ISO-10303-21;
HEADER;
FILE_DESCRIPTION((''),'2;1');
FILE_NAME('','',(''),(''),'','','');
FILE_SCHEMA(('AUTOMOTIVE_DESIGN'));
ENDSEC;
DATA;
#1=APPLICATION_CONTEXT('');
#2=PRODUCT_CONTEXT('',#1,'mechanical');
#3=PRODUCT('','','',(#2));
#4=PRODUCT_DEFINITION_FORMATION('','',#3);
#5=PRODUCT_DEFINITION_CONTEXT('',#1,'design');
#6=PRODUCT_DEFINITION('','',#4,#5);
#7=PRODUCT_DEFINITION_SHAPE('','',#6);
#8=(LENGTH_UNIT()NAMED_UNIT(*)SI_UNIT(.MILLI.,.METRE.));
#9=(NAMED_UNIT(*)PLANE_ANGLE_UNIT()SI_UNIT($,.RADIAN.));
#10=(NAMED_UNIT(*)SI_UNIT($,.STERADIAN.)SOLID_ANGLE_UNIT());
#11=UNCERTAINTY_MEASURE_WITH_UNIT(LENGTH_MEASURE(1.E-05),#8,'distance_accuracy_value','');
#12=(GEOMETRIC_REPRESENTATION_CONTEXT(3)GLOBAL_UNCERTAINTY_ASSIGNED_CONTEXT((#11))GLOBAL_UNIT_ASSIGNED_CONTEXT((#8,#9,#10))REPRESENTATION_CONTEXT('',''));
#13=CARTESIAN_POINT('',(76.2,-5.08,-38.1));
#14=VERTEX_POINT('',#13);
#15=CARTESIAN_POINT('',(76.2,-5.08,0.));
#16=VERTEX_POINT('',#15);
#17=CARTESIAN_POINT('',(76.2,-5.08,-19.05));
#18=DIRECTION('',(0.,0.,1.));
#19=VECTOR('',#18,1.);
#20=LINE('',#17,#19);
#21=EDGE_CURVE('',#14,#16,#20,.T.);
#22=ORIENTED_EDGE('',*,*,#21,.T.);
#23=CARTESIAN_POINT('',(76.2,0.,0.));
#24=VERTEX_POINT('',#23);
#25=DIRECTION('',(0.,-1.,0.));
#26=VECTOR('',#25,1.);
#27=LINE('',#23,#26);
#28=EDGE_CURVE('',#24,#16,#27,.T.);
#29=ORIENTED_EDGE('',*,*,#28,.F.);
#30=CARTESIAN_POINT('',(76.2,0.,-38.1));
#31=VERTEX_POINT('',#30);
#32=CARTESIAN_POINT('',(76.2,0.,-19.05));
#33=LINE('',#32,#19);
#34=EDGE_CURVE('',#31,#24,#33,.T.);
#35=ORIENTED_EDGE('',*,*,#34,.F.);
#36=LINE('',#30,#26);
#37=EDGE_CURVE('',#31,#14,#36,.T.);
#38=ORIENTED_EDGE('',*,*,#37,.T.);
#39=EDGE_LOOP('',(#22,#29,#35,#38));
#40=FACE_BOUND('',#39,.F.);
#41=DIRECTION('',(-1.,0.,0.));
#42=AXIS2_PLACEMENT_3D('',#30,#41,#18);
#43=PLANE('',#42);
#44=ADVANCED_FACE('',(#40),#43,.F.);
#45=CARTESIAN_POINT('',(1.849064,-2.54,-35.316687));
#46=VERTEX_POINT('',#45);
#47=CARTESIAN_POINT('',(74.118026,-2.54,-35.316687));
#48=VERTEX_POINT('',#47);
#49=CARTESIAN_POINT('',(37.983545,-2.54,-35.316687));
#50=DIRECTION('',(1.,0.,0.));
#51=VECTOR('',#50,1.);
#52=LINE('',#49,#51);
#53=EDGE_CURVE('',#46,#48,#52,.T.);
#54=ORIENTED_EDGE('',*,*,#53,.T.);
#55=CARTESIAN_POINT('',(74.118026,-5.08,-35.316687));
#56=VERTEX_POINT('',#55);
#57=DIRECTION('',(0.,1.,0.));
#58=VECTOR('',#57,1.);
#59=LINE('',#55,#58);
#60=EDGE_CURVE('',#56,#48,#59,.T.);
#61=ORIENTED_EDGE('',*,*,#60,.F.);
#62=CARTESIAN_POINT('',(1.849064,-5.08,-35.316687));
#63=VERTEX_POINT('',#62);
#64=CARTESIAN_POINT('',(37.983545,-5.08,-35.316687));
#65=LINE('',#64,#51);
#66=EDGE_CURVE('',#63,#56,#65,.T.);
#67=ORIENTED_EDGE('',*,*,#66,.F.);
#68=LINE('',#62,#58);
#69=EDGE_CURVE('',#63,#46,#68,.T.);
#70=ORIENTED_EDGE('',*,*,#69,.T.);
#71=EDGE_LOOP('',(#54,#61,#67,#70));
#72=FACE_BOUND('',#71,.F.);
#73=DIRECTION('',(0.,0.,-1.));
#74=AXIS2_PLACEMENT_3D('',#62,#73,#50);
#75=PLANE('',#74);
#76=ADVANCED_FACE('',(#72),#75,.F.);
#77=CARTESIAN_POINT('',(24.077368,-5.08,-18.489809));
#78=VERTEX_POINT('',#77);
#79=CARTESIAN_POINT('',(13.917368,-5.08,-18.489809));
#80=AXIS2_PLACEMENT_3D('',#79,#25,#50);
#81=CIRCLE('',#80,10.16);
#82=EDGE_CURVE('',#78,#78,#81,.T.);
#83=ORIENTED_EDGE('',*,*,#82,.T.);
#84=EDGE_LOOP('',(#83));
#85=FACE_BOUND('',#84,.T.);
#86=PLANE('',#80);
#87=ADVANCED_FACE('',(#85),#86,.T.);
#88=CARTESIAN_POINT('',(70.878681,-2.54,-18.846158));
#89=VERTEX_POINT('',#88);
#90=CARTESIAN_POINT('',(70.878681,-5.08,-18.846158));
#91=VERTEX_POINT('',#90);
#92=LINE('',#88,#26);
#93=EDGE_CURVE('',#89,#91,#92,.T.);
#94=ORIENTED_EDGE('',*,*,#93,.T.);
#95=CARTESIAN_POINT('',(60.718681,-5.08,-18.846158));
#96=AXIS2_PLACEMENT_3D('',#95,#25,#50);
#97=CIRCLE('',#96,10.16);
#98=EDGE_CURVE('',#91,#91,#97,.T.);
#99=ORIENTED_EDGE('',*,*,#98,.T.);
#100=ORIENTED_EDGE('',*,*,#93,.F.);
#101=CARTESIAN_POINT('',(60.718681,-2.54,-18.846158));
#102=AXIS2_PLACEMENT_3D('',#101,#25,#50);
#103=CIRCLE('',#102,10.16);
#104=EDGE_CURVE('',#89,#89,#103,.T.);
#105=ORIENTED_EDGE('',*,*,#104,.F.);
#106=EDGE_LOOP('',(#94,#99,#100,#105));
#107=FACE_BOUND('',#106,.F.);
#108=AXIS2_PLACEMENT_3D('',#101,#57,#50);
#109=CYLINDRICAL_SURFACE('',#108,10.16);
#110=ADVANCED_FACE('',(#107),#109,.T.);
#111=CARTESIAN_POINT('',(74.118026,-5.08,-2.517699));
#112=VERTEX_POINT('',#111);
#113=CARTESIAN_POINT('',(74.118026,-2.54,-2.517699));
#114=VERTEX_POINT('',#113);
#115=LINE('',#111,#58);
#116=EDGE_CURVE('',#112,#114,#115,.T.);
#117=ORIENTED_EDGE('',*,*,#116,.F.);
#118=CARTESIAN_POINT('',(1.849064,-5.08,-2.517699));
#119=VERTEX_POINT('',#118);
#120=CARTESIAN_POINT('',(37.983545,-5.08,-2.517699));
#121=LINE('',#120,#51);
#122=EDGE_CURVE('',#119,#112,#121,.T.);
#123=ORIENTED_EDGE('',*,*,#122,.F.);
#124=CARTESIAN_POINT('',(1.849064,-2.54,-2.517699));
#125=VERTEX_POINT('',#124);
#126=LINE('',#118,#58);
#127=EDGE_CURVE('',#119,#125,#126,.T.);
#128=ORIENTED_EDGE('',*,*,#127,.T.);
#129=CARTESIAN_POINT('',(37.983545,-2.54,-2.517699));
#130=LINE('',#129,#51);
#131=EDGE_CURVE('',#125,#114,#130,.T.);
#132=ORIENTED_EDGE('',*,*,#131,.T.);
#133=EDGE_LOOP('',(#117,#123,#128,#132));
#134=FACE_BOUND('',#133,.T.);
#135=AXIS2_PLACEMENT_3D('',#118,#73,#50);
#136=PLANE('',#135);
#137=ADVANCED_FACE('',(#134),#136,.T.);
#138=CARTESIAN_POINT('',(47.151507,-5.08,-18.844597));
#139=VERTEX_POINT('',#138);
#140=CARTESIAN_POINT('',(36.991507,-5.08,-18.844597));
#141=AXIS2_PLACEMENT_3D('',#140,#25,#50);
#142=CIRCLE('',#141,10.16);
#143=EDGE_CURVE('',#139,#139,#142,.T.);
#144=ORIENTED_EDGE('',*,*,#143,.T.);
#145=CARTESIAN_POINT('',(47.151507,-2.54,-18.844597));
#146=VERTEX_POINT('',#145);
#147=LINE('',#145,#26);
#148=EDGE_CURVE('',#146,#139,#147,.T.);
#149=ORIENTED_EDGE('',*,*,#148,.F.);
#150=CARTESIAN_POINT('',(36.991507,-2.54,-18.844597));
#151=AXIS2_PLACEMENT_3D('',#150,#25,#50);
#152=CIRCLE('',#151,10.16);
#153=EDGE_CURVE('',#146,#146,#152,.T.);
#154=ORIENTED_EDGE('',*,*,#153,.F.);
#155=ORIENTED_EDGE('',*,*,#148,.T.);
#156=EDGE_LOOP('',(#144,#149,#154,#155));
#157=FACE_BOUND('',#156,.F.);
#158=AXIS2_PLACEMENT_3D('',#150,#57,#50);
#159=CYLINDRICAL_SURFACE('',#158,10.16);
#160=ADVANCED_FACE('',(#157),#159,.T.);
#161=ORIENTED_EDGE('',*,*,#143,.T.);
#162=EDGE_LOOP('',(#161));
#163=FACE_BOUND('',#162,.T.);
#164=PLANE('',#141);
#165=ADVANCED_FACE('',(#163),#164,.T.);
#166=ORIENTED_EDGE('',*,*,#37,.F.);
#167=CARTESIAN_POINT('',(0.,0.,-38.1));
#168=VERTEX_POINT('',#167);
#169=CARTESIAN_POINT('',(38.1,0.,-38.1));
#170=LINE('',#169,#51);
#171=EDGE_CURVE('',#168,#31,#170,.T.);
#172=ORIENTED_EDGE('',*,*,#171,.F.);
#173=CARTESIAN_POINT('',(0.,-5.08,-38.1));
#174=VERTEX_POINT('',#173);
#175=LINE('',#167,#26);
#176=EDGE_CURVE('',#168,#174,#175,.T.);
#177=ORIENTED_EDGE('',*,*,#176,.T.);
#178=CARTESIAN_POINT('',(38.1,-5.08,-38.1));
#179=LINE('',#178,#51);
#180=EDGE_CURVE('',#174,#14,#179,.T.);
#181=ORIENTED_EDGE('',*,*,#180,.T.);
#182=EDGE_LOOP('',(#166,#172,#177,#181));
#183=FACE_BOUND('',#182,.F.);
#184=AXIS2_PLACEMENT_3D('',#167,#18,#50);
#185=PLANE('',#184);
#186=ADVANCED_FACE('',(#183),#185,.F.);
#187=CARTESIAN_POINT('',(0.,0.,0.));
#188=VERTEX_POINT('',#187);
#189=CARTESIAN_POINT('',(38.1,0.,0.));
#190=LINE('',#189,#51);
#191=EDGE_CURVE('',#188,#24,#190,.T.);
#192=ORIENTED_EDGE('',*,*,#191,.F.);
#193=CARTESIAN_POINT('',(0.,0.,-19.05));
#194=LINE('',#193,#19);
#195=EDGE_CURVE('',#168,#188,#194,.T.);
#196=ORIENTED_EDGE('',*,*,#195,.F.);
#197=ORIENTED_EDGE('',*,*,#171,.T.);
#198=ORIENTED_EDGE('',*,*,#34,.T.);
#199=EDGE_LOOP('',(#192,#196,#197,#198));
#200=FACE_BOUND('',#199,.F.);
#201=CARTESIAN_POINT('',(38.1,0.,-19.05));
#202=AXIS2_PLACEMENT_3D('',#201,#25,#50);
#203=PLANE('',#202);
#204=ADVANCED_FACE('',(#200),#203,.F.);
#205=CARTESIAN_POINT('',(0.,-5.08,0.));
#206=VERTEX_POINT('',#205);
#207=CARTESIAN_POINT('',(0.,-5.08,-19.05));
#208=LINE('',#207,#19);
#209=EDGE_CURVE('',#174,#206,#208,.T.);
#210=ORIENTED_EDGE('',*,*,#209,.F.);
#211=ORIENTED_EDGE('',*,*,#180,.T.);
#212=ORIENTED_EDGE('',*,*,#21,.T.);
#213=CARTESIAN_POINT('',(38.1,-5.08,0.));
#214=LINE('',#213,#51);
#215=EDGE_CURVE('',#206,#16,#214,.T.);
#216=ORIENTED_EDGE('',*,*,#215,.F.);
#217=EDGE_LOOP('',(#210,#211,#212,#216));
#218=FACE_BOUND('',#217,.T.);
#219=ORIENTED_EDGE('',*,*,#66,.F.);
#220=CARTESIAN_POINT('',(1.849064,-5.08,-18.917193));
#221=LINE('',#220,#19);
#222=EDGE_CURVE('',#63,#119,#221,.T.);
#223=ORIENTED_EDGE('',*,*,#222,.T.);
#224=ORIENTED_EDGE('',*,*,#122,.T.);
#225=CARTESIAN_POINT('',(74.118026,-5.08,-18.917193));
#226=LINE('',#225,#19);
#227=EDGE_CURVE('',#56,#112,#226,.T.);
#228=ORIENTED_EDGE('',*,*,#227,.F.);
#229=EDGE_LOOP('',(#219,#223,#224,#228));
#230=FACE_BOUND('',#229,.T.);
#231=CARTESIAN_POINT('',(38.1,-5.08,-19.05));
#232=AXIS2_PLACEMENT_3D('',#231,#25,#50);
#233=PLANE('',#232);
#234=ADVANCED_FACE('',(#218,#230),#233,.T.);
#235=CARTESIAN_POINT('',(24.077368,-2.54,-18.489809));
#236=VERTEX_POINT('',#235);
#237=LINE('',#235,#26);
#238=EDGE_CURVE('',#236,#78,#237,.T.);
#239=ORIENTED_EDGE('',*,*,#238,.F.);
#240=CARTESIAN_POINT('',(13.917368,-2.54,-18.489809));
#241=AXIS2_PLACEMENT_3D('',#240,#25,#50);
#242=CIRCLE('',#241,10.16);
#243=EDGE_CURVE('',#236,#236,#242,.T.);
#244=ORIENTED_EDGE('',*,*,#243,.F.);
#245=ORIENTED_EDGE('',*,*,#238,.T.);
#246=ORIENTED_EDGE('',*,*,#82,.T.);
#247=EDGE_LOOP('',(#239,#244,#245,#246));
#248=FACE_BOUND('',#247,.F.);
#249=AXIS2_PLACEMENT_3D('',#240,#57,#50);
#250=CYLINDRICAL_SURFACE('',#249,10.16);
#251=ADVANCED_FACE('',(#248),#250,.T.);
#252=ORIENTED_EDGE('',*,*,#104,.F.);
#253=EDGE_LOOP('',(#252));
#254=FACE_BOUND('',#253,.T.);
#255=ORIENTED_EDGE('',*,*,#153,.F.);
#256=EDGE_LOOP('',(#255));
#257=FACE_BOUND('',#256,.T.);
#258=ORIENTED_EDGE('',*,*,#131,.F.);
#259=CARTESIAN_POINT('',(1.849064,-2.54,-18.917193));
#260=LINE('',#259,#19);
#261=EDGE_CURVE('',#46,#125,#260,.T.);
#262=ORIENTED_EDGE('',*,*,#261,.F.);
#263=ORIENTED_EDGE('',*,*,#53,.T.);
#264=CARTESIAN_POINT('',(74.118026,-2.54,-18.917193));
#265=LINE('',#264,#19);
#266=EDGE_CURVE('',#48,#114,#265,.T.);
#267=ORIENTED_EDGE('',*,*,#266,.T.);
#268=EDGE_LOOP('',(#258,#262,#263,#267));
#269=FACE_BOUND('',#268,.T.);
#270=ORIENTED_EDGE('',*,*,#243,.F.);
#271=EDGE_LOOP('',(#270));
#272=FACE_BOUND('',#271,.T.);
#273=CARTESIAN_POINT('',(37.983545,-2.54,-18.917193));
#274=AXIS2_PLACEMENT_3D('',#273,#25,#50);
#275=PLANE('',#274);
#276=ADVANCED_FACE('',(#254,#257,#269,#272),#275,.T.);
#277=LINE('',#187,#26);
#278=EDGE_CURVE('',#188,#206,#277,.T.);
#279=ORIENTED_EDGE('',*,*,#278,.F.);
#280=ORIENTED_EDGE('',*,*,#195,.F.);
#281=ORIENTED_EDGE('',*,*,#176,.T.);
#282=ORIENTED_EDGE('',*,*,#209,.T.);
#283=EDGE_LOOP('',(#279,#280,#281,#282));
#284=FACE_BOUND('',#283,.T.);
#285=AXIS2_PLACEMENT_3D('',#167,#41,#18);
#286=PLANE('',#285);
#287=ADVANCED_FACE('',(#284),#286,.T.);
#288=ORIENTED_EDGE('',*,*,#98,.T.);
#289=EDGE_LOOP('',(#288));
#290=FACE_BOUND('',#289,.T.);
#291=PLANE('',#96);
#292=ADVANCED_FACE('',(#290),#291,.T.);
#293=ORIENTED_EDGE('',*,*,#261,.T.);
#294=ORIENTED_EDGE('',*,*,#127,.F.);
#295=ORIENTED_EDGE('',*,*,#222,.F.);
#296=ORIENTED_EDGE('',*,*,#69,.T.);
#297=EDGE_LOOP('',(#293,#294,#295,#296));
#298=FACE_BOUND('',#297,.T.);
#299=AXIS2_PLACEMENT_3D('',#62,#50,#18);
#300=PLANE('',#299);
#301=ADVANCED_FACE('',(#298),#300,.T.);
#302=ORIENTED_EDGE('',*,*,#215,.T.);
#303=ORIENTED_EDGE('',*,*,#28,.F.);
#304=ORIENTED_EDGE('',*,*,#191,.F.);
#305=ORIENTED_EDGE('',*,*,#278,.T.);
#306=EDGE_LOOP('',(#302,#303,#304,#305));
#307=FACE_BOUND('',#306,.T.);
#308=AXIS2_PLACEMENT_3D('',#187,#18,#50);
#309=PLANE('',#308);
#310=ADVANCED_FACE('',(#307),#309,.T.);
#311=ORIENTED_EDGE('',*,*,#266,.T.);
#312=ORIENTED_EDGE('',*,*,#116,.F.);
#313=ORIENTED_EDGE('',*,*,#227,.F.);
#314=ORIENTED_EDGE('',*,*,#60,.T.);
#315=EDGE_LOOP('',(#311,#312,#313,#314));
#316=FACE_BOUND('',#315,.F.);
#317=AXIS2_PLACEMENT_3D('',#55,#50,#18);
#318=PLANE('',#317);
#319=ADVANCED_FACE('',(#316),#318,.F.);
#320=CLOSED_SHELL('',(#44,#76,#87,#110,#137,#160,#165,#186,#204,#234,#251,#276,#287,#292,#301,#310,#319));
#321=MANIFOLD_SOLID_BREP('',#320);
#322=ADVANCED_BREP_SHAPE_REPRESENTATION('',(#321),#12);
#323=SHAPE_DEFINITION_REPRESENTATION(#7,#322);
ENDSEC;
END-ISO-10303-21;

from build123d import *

# Parameters (mm, degrees)
F0_W     = 76.2
F0_H     = 38.1
F1_DEPTH = 5.08
F2_W     = 72.268962
F2_H     = 32.798988
F3_DEPTH = 2.54
F4_R     = 10.16
F5_DEPTH = 2.54


with BuildPart() as f1:
    # F0 (on Front) → F1 (new body)
    with BuildSketch(Plane.XZ):
        with Locations((38.1, -19.05)):
            Rectangle(F0_W, F0_H)
    extrude(amount=F1_DEPTH)

    # F2 (on face) → F3 (cut)
    with BuildSketch(Plane.XZ.offset(5.08)):
        with Locations((37.983545, -18.917193)):
            Rectangle(F2_W, F2_H)
    extrude(amount=-F3_DEPTH, mode=Mode.SUBTRACT)

    # F4 (on face) → F5 (join)
    with BuildSketch(Plane.XZ.offset(2.54)):
        with Locations((13.917368, -18.489809)):
            Circle(F4_R)
        with Locations((36.991507, -18.844597)):
            Circle(F4_R)
        with Locations((60.718681, -18.846158)):
            Circle(F4_R)
    extrude(amount=F5_DEPTH)


solid = f1.part
